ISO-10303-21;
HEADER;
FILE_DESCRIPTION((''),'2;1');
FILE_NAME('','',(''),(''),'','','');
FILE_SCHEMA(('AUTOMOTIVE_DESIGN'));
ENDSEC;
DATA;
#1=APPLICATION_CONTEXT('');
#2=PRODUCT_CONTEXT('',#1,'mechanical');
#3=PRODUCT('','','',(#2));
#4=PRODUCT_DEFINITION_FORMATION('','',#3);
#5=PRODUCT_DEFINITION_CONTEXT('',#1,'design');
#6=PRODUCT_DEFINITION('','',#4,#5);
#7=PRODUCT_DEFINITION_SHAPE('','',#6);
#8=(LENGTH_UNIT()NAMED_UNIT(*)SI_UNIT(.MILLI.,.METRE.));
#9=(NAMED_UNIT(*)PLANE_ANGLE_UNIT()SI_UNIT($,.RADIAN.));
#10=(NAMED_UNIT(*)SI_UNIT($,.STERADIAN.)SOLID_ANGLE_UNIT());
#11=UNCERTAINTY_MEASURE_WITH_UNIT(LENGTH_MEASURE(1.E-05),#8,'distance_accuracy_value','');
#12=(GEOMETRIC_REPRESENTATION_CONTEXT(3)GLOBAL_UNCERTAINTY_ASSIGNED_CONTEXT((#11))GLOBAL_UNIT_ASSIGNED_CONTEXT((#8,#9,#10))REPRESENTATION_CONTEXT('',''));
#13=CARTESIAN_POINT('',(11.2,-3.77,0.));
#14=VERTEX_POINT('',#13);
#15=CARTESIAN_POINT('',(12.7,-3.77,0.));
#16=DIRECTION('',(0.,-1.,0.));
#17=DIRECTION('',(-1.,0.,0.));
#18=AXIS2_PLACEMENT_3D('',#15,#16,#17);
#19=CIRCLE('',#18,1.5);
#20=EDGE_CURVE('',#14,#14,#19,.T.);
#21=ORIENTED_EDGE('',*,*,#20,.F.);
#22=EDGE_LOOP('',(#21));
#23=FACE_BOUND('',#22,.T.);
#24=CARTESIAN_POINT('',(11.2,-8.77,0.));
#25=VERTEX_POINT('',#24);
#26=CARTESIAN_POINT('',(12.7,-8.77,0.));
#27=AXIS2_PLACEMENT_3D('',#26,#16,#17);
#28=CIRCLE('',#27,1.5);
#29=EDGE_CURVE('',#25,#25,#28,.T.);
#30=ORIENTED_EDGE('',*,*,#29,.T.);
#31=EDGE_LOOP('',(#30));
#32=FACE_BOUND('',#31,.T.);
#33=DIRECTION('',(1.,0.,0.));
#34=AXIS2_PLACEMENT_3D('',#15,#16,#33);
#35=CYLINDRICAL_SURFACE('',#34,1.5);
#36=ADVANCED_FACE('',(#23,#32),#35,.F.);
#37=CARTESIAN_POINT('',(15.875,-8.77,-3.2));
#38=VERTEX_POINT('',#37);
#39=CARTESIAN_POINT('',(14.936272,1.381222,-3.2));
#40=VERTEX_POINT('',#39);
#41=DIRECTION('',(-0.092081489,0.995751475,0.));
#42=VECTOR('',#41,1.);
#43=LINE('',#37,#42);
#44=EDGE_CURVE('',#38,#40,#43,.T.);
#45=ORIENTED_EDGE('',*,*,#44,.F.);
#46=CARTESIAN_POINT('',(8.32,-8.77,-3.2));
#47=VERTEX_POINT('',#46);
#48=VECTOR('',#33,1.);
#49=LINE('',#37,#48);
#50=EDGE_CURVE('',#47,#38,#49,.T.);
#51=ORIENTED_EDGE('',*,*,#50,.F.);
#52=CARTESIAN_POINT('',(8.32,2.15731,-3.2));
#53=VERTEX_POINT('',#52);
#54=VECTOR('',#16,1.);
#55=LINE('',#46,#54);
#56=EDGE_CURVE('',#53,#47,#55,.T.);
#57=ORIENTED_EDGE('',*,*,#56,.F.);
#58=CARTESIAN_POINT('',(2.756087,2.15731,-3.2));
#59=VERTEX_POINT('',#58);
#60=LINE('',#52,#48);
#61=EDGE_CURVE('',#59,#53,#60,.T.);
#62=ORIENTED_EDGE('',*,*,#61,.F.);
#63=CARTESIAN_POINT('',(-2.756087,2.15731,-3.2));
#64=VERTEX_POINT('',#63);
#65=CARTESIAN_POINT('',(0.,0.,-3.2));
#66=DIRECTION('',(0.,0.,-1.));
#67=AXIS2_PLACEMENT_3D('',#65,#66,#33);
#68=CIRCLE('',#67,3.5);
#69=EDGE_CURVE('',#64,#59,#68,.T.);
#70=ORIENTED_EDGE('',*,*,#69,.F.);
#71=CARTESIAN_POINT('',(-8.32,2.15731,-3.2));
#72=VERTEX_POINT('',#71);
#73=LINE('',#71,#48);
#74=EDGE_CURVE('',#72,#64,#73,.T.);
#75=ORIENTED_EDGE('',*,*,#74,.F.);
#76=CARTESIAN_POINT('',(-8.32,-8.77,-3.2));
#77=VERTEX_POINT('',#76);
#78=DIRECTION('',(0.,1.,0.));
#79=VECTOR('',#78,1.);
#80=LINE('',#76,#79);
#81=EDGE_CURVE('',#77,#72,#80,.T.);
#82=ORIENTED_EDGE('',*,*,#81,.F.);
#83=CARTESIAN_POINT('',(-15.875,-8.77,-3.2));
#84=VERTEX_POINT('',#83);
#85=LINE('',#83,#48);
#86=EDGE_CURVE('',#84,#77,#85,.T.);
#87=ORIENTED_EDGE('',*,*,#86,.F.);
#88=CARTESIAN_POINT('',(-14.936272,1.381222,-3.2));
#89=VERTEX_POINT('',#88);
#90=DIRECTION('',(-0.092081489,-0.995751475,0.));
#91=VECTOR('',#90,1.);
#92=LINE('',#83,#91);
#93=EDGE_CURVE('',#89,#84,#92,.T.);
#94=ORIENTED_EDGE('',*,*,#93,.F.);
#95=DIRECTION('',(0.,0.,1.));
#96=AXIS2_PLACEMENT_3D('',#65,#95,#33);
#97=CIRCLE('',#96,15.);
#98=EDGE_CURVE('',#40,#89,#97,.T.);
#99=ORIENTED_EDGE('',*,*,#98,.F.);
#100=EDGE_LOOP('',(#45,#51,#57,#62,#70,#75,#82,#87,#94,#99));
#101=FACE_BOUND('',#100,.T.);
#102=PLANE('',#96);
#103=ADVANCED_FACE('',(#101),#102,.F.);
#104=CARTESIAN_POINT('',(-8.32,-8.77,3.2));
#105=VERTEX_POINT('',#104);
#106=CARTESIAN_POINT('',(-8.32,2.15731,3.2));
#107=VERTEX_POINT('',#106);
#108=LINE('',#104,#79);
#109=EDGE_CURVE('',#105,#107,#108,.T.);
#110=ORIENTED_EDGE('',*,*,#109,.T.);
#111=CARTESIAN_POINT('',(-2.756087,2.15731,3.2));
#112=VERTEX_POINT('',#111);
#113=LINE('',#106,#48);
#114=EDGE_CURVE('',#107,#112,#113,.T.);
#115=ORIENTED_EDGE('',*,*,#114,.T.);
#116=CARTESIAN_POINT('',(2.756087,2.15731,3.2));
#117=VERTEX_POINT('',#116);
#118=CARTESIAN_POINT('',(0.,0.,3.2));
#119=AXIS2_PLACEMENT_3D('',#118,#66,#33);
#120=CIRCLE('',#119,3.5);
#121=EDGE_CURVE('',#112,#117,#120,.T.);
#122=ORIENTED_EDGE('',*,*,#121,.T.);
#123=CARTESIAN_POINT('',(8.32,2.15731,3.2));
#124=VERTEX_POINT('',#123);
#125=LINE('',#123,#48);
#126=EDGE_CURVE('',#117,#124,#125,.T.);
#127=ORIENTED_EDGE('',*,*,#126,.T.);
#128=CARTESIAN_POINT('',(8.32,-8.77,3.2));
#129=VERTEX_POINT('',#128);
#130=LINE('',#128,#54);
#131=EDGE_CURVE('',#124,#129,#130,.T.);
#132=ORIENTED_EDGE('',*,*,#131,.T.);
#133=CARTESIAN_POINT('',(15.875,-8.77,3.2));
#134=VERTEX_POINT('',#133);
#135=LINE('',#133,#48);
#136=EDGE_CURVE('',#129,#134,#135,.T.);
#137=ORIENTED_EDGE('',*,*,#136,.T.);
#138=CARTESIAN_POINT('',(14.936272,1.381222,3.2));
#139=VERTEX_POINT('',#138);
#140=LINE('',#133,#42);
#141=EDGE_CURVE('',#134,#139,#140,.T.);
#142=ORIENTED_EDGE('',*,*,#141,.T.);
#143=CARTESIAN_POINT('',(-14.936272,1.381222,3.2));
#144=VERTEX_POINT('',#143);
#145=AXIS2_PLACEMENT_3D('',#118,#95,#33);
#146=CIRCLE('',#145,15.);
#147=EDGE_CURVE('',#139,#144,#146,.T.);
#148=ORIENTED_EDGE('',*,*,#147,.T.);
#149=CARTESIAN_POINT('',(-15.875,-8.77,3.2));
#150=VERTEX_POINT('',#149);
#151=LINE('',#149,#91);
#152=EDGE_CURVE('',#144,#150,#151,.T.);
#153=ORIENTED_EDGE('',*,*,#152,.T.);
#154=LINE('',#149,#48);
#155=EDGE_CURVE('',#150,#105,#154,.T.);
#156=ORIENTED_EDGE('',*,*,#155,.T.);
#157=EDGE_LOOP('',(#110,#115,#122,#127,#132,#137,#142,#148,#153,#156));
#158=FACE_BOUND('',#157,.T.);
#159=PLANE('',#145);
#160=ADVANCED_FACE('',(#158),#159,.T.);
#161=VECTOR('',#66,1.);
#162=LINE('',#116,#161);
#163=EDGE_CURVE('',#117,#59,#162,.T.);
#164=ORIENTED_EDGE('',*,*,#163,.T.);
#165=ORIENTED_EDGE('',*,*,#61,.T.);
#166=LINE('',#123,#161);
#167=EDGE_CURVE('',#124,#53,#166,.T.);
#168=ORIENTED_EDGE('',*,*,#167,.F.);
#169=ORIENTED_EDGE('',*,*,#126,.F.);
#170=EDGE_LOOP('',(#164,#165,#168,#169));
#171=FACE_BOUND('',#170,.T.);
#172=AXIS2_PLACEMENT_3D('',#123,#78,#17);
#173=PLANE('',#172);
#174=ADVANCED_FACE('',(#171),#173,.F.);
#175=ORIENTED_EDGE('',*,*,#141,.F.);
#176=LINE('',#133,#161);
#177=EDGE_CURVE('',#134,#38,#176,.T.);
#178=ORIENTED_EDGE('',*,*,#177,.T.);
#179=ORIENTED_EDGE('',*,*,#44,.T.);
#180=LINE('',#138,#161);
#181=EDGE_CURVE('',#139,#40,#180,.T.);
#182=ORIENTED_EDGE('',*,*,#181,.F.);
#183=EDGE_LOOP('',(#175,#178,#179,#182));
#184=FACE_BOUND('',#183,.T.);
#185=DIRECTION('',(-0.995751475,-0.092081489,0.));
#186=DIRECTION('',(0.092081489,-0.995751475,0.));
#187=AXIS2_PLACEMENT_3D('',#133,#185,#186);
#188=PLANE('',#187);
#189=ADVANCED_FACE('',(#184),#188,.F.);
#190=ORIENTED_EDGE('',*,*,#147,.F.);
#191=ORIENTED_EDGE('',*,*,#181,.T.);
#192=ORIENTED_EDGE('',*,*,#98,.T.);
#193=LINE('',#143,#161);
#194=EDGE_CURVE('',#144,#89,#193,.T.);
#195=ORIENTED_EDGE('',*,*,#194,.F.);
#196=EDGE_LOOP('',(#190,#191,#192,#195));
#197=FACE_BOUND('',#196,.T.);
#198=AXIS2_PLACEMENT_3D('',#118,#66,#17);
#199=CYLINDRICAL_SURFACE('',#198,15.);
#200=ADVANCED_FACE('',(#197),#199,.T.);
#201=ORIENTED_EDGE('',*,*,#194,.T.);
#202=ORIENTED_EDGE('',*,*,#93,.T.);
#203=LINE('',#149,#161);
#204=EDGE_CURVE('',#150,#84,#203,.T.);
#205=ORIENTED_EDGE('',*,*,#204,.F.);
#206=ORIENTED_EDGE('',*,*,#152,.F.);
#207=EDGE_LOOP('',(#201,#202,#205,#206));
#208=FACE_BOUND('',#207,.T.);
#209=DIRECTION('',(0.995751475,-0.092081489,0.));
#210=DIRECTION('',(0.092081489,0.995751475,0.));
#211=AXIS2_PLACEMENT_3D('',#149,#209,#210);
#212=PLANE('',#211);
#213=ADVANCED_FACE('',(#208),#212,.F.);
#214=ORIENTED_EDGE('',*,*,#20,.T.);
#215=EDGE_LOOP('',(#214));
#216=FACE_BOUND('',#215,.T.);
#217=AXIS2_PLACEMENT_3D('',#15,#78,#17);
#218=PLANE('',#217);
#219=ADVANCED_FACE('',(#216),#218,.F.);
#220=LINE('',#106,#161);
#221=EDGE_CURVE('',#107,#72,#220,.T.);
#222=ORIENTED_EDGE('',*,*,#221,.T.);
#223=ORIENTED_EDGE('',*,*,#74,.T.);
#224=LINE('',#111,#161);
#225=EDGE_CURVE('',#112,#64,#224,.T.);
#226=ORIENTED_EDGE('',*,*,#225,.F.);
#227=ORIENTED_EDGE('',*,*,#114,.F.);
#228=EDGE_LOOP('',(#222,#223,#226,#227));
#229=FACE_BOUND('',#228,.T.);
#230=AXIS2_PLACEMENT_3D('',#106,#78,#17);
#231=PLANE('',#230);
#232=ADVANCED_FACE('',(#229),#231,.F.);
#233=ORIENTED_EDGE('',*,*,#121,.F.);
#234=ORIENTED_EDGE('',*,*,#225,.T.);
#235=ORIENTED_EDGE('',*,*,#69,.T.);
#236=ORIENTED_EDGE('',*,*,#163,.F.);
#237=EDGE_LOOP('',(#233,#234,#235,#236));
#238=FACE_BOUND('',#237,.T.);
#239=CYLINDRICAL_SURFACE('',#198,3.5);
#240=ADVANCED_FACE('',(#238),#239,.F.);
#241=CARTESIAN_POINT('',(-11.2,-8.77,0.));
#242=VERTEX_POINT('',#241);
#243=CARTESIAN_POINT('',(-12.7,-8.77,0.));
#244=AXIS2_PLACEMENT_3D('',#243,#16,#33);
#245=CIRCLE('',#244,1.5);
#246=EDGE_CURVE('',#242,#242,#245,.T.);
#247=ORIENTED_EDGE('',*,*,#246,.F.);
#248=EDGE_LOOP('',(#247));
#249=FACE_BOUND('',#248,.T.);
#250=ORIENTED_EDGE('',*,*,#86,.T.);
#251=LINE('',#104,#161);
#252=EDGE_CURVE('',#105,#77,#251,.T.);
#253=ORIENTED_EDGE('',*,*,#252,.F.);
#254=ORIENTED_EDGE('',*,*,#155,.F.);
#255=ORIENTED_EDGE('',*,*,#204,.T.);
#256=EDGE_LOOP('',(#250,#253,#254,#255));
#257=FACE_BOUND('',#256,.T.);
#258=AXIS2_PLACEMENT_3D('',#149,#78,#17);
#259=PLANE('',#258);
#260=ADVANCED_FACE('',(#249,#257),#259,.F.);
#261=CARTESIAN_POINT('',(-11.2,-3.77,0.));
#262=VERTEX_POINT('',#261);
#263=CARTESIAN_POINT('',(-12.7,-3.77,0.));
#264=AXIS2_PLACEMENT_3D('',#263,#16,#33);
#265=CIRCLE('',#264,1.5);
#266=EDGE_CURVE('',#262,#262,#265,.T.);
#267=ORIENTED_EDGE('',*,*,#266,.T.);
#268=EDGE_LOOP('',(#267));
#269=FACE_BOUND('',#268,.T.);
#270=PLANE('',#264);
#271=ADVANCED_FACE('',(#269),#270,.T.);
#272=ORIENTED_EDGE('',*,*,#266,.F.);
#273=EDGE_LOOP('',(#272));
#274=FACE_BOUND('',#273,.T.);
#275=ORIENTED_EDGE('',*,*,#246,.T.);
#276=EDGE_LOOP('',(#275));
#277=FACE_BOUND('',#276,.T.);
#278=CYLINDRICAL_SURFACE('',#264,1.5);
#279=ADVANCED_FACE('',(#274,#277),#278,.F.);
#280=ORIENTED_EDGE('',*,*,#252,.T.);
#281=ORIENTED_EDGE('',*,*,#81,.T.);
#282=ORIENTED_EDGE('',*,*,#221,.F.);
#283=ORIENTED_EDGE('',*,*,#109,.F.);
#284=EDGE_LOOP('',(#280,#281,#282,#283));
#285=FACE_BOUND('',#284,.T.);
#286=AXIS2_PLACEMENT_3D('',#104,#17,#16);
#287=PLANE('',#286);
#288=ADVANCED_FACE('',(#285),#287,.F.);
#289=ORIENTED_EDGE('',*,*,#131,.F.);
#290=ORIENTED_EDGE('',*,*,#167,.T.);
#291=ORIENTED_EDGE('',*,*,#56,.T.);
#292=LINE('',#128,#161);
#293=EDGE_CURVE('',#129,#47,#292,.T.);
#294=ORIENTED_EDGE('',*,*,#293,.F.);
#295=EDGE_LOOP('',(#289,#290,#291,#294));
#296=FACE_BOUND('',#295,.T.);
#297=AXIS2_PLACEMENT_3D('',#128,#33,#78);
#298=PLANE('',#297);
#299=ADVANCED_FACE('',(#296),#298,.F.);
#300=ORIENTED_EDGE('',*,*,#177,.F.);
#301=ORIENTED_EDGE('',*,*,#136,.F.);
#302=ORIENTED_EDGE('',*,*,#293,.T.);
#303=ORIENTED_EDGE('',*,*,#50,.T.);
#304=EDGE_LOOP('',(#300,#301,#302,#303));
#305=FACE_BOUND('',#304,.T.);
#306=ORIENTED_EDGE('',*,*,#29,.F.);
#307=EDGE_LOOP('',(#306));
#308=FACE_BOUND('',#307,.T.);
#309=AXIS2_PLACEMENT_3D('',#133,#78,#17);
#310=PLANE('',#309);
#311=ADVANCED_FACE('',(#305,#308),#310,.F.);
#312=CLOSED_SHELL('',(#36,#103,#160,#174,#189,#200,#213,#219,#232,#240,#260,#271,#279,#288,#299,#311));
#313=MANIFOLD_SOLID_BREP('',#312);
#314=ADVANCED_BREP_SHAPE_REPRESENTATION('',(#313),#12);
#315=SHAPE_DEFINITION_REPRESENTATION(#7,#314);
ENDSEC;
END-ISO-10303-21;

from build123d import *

# Parameters (mm, degrees)
SALIENTE_EXTRUIR1_DEPTH = 3.2
CROQUIS2_R              = 1.5
CORTAR_EXTRUIR1_DEPTH   = 5


with BuildPart() as part:
    # Croquis1 → Saliente-Extruir1 (new, symmetric)
    with BuildSketch(Plane.XY):
        with BuildLine():
            Line((15.875, -8.77), (8.32, -8.77))
            Line((8.32, -8.77), (8.32, 2.157309855))
            Line((8.32, 2.157309855), (2.756086753, 2.157309855))
            ThreePointArc((2.756086753, 2.157309855), (0, 3.5), (-2.756086753, 2.157309855))
            Line((-2.756086753, 2.157309855), (-8.32, 2.157309855))
            Line((-8.32, 2.157309855), (-8.32, -8.77))
            Line((-8.32, -8.77), (-15.875, -8.77))
            Line((-15.875, -8.77), (-14.93627212, 1.381222339))
            ThreePointArc((-14.93627212, 1.381222339), (0, 15), (14.93627212, 1.381222339))
            Line((14.93627212, 1.381222339), (15.875, -8.77))
        make_face()
    extrude(amount=SALIENTE_EXTRUIR1_DEPTH, both=True)

    # Croquis2 → Cortar-Extruir1 (cut)
    with BuildSketch(Plane.XZ.offset(8.77)):
        with Locations((-12.7, 0)):
            Circle(CROQUIS2_R)
        with Locations(Location((12.7, 0, 0), (0, 0, 180))):
            Circle(CROQUIS2_R)
    extrude(amount=-CORTAR_EXTRUIR1_DEPTH, mode=Mode.SUBTRACT)


solid = part.part
